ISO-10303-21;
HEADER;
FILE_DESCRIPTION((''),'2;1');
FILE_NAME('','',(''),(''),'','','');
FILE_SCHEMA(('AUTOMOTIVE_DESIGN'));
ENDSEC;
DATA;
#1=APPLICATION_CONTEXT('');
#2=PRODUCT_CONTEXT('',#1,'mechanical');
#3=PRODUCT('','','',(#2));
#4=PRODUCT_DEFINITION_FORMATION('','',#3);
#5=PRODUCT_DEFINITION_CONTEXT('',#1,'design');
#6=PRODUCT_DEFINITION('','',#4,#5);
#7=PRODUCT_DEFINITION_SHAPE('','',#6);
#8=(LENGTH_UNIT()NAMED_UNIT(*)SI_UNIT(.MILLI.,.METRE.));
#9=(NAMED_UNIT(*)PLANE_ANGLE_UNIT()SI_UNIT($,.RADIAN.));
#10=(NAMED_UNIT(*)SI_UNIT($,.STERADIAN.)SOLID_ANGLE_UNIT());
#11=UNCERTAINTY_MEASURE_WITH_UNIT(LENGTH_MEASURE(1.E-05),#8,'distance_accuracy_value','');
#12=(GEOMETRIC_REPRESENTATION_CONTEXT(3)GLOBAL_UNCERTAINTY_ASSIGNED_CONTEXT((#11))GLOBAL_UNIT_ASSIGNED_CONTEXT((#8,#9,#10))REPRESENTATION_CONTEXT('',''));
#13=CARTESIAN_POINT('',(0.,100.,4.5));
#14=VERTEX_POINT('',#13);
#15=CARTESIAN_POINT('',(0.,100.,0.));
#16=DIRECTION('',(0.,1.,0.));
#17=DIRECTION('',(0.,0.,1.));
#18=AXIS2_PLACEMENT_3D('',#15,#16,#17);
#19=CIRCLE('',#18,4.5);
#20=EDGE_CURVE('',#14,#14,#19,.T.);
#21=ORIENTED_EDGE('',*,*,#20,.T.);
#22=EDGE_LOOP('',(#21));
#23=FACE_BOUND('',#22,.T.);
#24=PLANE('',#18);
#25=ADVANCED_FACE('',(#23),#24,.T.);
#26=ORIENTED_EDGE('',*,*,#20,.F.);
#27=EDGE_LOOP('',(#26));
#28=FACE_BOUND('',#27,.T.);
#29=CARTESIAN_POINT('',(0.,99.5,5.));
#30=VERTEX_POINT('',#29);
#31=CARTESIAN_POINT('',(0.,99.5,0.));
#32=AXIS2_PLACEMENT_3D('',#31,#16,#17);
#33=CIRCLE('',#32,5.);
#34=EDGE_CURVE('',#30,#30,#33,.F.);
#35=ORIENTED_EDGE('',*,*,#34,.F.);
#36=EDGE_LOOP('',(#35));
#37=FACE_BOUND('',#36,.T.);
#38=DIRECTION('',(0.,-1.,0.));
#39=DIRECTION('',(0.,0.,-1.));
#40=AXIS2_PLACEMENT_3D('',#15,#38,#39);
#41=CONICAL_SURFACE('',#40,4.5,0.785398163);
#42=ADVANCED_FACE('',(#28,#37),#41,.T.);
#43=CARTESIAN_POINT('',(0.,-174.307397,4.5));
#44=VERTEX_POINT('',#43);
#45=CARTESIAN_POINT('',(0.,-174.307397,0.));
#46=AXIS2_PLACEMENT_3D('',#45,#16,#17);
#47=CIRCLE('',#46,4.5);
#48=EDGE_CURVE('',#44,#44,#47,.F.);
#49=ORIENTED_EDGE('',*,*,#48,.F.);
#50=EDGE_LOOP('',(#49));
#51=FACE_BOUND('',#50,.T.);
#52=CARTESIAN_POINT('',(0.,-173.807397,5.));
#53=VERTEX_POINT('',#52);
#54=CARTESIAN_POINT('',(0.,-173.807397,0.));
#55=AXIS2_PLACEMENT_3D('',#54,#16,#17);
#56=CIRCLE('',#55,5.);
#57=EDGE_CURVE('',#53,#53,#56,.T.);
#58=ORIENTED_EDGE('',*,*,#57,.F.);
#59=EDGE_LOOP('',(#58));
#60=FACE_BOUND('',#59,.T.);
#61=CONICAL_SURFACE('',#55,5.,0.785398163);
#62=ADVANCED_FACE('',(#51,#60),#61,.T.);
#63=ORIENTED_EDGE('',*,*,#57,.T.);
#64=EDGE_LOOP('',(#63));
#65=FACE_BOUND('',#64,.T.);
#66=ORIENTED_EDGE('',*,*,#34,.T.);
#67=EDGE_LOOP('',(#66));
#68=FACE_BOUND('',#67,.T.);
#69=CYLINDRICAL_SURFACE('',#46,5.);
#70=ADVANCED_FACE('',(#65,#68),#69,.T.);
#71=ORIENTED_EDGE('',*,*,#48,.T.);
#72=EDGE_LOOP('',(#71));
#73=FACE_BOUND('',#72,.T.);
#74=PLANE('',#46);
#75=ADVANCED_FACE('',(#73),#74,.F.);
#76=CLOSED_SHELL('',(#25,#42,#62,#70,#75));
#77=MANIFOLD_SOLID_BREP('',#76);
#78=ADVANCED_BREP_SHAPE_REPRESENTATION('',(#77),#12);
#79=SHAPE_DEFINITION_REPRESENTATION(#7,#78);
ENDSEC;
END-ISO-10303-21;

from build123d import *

# Parameters (mm, degrees)
MAINSKETCH_R             = 5
BOSS_EXTRUDE1_DEPTH      = 100
BOSS_EXTRUDE1_DEPTH_BACK = 174.307396978
CHAMFER1_SIZE            = 0.5


with BuildPart() as part:
    # MainSketch → Boss-Extrude1 (new body, two sides)
    with BuildSketch(Plane(origin=(0, 0, 0), x_dir=(1, 0, 0), z_dir=(0, 1, 0))) as boss_extrude1_sk:
        Circle(MAINSKETCH_R)
    extrude(amount=BOSS_EXTRUDE1_DEPTH)
    extrude(boss_extrude1_sk.sketch, amount=-BOSS_EXTRUDE1_DEPTH_BACK)

    # Chamfer1
    chamfer1_edges = [part.edges().sort_by_distance(p)[0] for p in [
        (-5, -174.307396978, 0),
        (-5, 100, 0),
    ]]
    chamfer(chamfer1_edges, length=CHAMFER1_SIZE)


solid = part.part
